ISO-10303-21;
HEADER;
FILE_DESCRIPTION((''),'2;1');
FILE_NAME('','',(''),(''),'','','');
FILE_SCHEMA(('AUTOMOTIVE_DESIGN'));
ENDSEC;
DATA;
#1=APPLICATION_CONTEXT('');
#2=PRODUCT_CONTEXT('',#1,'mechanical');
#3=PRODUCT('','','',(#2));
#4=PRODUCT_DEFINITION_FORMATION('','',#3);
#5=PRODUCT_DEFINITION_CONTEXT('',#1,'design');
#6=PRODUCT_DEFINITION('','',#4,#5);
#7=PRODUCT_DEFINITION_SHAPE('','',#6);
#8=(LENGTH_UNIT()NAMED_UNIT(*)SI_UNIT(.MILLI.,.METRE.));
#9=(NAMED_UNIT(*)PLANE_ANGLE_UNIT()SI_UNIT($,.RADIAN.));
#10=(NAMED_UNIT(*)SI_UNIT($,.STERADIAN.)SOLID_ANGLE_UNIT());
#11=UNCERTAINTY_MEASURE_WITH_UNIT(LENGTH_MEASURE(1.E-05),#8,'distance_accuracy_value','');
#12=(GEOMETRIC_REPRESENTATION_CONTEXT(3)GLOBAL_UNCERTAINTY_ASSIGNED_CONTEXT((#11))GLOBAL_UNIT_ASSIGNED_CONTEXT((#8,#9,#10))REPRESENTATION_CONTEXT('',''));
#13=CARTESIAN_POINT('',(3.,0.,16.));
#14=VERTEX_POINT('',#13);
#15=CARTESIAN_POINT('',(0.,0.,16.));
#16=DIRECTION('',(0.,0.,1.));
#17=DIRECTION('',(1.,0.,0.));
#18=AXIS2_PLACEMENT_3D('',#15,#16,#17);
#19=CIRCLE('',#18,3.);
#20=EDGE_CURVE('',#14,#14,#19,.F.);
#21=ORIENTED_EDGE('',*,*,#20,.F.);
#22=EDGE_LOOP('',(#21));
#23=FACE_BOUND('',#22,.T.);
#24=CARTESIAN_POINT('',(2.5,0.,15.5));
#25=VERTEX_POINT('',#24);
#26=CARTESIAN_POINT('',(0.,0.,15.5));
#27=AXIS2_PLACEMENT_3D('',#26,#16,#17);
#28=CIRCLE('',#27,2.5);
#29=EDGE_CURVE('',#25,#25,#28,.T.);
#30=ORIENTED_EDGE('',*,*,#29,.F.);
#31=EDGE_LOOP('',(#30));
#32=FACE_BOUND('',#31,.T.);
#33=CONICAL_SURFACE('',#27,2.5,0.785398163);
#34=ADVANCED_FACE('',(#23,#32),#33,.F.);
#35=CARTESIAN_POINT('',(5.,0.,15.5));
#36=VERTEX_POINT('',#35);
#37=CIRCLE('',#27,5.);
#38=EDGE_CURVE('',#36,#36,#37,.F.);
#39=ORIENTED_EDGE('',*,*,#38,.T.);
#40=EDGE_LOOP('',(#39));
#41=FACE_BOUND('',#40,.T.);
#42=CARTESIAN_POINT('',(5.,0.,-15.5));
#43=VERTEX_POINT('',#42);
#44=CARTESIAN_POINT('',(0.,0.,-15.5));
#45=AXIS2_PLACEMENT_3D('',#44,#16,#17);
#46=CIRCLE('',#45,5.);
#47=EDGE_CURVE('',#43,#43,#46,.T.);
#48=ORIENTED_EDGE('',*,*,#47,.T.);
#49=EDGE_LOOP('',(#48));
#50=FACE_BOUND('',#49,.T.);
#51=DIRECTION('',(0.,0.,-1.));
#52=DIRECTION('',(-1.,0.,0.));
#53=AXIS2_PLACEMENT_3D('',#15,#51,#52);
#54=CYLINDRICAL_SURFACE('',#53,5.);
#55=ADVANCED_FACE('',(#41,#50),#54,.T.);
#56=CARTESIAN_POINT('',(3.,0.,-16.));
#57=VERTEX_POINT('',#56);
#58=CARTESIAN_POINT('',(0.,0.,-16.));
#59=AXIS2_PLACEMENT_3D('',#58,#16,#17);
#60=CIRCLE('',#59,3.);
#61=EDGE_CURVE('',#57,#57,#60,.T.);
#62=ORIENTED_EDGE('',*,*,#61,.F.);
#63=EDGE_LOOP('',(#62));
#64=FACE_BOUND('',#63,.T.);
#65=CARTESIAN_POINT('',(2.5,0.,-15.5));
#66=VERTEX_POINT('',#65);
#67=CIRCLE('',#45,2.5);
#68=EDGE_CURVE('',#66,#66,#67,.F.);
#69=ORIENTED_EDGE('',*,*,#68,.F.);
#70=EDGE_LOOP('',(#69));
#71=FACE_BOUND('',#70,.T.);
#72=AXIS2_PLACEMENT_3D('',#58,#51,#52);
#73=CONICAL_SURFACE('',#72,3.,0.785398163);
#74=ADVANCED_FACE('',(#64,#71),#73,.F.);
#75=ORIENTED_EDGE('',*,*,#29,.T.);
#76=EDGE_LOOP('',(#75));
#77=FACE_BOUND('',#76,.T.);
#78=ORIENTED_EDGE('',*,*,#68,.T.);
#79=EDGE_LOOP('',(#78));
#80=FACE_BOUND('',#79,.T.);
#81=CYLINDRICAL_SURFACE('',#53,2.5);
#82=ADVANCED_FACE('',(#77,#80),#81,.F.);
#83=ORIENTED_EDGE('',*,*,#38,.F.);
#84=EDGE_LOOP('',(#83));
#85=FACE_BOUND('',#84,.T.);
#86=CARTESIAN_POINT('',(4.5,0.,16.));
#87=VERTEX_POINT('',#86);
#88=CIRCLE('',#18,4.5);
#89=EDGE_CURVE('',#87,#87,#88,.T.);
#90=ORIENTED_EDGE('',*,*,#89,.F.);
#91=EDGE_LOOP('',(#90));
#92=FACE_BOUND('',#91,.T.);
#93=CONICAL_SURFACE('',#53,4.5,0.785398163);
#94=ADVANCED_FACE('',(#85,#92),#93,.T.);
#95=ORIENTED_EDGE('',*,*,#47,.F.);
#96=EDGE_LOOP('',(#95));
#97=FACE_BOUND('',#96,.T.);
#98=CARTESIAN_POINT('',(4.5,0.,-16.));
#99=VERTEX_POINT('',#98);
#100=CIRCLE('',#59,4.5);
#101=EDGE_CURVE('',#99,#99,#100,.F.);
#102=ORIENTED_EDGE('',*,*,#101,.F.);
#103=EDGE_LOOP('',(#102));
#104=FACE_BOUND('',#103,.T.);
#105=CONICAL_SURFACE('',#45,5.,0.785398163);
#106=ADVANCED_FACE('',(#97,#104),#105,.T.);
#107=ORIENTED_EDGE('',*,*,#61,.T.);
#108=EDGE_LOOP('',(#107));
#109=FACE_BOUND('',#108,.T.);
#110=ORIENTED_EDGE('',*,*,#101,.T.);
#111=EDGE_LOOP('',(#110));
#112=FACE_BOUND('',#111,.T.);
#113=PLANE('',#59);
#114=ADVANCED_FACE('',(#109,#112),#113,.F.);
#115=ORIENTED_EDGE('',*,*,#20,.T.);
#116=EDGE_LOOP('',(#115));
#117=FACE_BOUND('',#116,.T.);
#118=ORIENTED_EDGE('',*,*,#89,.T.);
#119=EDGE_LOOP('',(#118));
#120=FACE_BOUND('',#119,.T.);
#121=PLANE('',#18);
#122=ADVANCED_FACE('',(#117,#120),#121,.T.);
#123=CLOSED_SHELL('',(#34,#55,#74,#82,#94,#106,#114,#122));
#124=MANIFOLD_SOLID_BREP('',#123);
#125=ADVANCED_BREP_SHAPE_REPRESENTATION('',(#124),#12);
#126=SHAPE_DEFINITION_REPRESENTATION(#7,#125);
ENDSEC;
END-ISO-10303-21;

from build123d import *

# Parameters (mm, degrees)
SKETCH1_R           = 5
SKETCH1_R_2         = 2.5
BOSS_EXTRUDE1_DEPTH = 16
CHAMFER1_SIZE       = 0.5


with BuildPart() as part:
    # Sketch1 → Boss-Extrude1 (new, symmetric)
    with BuildSketch(Plane(origin=(0, 0, 0), x_dir=(0, 1, 0), z_dir=(0, 0, 1))):
        with Locations(Location((0, 0, 0), (0, 0, 270))):
            Circle(SKETCH1_R)
        with Locations(Location((0, 0, 0), (0, 0, 270))):
            Circle(SKETCH1_R_2, mode=Mode.SUBTRACT)
    extrude(amount=BOSS_EXTRUDE1_DEPTH, both=True)

    # Chamfer1
    chamfer1_edges = [part.edges().sort_by_distance(p)[0] for p in [
        (-5, 0, -16),
        (-5, 0, 16),
        (-2.5, 0, -16),
        (-2.5, 0, 16),
    ]]
    chamfer(chamfer1_edges, length=CHAMFER1_SIZE)


solid = part.part
